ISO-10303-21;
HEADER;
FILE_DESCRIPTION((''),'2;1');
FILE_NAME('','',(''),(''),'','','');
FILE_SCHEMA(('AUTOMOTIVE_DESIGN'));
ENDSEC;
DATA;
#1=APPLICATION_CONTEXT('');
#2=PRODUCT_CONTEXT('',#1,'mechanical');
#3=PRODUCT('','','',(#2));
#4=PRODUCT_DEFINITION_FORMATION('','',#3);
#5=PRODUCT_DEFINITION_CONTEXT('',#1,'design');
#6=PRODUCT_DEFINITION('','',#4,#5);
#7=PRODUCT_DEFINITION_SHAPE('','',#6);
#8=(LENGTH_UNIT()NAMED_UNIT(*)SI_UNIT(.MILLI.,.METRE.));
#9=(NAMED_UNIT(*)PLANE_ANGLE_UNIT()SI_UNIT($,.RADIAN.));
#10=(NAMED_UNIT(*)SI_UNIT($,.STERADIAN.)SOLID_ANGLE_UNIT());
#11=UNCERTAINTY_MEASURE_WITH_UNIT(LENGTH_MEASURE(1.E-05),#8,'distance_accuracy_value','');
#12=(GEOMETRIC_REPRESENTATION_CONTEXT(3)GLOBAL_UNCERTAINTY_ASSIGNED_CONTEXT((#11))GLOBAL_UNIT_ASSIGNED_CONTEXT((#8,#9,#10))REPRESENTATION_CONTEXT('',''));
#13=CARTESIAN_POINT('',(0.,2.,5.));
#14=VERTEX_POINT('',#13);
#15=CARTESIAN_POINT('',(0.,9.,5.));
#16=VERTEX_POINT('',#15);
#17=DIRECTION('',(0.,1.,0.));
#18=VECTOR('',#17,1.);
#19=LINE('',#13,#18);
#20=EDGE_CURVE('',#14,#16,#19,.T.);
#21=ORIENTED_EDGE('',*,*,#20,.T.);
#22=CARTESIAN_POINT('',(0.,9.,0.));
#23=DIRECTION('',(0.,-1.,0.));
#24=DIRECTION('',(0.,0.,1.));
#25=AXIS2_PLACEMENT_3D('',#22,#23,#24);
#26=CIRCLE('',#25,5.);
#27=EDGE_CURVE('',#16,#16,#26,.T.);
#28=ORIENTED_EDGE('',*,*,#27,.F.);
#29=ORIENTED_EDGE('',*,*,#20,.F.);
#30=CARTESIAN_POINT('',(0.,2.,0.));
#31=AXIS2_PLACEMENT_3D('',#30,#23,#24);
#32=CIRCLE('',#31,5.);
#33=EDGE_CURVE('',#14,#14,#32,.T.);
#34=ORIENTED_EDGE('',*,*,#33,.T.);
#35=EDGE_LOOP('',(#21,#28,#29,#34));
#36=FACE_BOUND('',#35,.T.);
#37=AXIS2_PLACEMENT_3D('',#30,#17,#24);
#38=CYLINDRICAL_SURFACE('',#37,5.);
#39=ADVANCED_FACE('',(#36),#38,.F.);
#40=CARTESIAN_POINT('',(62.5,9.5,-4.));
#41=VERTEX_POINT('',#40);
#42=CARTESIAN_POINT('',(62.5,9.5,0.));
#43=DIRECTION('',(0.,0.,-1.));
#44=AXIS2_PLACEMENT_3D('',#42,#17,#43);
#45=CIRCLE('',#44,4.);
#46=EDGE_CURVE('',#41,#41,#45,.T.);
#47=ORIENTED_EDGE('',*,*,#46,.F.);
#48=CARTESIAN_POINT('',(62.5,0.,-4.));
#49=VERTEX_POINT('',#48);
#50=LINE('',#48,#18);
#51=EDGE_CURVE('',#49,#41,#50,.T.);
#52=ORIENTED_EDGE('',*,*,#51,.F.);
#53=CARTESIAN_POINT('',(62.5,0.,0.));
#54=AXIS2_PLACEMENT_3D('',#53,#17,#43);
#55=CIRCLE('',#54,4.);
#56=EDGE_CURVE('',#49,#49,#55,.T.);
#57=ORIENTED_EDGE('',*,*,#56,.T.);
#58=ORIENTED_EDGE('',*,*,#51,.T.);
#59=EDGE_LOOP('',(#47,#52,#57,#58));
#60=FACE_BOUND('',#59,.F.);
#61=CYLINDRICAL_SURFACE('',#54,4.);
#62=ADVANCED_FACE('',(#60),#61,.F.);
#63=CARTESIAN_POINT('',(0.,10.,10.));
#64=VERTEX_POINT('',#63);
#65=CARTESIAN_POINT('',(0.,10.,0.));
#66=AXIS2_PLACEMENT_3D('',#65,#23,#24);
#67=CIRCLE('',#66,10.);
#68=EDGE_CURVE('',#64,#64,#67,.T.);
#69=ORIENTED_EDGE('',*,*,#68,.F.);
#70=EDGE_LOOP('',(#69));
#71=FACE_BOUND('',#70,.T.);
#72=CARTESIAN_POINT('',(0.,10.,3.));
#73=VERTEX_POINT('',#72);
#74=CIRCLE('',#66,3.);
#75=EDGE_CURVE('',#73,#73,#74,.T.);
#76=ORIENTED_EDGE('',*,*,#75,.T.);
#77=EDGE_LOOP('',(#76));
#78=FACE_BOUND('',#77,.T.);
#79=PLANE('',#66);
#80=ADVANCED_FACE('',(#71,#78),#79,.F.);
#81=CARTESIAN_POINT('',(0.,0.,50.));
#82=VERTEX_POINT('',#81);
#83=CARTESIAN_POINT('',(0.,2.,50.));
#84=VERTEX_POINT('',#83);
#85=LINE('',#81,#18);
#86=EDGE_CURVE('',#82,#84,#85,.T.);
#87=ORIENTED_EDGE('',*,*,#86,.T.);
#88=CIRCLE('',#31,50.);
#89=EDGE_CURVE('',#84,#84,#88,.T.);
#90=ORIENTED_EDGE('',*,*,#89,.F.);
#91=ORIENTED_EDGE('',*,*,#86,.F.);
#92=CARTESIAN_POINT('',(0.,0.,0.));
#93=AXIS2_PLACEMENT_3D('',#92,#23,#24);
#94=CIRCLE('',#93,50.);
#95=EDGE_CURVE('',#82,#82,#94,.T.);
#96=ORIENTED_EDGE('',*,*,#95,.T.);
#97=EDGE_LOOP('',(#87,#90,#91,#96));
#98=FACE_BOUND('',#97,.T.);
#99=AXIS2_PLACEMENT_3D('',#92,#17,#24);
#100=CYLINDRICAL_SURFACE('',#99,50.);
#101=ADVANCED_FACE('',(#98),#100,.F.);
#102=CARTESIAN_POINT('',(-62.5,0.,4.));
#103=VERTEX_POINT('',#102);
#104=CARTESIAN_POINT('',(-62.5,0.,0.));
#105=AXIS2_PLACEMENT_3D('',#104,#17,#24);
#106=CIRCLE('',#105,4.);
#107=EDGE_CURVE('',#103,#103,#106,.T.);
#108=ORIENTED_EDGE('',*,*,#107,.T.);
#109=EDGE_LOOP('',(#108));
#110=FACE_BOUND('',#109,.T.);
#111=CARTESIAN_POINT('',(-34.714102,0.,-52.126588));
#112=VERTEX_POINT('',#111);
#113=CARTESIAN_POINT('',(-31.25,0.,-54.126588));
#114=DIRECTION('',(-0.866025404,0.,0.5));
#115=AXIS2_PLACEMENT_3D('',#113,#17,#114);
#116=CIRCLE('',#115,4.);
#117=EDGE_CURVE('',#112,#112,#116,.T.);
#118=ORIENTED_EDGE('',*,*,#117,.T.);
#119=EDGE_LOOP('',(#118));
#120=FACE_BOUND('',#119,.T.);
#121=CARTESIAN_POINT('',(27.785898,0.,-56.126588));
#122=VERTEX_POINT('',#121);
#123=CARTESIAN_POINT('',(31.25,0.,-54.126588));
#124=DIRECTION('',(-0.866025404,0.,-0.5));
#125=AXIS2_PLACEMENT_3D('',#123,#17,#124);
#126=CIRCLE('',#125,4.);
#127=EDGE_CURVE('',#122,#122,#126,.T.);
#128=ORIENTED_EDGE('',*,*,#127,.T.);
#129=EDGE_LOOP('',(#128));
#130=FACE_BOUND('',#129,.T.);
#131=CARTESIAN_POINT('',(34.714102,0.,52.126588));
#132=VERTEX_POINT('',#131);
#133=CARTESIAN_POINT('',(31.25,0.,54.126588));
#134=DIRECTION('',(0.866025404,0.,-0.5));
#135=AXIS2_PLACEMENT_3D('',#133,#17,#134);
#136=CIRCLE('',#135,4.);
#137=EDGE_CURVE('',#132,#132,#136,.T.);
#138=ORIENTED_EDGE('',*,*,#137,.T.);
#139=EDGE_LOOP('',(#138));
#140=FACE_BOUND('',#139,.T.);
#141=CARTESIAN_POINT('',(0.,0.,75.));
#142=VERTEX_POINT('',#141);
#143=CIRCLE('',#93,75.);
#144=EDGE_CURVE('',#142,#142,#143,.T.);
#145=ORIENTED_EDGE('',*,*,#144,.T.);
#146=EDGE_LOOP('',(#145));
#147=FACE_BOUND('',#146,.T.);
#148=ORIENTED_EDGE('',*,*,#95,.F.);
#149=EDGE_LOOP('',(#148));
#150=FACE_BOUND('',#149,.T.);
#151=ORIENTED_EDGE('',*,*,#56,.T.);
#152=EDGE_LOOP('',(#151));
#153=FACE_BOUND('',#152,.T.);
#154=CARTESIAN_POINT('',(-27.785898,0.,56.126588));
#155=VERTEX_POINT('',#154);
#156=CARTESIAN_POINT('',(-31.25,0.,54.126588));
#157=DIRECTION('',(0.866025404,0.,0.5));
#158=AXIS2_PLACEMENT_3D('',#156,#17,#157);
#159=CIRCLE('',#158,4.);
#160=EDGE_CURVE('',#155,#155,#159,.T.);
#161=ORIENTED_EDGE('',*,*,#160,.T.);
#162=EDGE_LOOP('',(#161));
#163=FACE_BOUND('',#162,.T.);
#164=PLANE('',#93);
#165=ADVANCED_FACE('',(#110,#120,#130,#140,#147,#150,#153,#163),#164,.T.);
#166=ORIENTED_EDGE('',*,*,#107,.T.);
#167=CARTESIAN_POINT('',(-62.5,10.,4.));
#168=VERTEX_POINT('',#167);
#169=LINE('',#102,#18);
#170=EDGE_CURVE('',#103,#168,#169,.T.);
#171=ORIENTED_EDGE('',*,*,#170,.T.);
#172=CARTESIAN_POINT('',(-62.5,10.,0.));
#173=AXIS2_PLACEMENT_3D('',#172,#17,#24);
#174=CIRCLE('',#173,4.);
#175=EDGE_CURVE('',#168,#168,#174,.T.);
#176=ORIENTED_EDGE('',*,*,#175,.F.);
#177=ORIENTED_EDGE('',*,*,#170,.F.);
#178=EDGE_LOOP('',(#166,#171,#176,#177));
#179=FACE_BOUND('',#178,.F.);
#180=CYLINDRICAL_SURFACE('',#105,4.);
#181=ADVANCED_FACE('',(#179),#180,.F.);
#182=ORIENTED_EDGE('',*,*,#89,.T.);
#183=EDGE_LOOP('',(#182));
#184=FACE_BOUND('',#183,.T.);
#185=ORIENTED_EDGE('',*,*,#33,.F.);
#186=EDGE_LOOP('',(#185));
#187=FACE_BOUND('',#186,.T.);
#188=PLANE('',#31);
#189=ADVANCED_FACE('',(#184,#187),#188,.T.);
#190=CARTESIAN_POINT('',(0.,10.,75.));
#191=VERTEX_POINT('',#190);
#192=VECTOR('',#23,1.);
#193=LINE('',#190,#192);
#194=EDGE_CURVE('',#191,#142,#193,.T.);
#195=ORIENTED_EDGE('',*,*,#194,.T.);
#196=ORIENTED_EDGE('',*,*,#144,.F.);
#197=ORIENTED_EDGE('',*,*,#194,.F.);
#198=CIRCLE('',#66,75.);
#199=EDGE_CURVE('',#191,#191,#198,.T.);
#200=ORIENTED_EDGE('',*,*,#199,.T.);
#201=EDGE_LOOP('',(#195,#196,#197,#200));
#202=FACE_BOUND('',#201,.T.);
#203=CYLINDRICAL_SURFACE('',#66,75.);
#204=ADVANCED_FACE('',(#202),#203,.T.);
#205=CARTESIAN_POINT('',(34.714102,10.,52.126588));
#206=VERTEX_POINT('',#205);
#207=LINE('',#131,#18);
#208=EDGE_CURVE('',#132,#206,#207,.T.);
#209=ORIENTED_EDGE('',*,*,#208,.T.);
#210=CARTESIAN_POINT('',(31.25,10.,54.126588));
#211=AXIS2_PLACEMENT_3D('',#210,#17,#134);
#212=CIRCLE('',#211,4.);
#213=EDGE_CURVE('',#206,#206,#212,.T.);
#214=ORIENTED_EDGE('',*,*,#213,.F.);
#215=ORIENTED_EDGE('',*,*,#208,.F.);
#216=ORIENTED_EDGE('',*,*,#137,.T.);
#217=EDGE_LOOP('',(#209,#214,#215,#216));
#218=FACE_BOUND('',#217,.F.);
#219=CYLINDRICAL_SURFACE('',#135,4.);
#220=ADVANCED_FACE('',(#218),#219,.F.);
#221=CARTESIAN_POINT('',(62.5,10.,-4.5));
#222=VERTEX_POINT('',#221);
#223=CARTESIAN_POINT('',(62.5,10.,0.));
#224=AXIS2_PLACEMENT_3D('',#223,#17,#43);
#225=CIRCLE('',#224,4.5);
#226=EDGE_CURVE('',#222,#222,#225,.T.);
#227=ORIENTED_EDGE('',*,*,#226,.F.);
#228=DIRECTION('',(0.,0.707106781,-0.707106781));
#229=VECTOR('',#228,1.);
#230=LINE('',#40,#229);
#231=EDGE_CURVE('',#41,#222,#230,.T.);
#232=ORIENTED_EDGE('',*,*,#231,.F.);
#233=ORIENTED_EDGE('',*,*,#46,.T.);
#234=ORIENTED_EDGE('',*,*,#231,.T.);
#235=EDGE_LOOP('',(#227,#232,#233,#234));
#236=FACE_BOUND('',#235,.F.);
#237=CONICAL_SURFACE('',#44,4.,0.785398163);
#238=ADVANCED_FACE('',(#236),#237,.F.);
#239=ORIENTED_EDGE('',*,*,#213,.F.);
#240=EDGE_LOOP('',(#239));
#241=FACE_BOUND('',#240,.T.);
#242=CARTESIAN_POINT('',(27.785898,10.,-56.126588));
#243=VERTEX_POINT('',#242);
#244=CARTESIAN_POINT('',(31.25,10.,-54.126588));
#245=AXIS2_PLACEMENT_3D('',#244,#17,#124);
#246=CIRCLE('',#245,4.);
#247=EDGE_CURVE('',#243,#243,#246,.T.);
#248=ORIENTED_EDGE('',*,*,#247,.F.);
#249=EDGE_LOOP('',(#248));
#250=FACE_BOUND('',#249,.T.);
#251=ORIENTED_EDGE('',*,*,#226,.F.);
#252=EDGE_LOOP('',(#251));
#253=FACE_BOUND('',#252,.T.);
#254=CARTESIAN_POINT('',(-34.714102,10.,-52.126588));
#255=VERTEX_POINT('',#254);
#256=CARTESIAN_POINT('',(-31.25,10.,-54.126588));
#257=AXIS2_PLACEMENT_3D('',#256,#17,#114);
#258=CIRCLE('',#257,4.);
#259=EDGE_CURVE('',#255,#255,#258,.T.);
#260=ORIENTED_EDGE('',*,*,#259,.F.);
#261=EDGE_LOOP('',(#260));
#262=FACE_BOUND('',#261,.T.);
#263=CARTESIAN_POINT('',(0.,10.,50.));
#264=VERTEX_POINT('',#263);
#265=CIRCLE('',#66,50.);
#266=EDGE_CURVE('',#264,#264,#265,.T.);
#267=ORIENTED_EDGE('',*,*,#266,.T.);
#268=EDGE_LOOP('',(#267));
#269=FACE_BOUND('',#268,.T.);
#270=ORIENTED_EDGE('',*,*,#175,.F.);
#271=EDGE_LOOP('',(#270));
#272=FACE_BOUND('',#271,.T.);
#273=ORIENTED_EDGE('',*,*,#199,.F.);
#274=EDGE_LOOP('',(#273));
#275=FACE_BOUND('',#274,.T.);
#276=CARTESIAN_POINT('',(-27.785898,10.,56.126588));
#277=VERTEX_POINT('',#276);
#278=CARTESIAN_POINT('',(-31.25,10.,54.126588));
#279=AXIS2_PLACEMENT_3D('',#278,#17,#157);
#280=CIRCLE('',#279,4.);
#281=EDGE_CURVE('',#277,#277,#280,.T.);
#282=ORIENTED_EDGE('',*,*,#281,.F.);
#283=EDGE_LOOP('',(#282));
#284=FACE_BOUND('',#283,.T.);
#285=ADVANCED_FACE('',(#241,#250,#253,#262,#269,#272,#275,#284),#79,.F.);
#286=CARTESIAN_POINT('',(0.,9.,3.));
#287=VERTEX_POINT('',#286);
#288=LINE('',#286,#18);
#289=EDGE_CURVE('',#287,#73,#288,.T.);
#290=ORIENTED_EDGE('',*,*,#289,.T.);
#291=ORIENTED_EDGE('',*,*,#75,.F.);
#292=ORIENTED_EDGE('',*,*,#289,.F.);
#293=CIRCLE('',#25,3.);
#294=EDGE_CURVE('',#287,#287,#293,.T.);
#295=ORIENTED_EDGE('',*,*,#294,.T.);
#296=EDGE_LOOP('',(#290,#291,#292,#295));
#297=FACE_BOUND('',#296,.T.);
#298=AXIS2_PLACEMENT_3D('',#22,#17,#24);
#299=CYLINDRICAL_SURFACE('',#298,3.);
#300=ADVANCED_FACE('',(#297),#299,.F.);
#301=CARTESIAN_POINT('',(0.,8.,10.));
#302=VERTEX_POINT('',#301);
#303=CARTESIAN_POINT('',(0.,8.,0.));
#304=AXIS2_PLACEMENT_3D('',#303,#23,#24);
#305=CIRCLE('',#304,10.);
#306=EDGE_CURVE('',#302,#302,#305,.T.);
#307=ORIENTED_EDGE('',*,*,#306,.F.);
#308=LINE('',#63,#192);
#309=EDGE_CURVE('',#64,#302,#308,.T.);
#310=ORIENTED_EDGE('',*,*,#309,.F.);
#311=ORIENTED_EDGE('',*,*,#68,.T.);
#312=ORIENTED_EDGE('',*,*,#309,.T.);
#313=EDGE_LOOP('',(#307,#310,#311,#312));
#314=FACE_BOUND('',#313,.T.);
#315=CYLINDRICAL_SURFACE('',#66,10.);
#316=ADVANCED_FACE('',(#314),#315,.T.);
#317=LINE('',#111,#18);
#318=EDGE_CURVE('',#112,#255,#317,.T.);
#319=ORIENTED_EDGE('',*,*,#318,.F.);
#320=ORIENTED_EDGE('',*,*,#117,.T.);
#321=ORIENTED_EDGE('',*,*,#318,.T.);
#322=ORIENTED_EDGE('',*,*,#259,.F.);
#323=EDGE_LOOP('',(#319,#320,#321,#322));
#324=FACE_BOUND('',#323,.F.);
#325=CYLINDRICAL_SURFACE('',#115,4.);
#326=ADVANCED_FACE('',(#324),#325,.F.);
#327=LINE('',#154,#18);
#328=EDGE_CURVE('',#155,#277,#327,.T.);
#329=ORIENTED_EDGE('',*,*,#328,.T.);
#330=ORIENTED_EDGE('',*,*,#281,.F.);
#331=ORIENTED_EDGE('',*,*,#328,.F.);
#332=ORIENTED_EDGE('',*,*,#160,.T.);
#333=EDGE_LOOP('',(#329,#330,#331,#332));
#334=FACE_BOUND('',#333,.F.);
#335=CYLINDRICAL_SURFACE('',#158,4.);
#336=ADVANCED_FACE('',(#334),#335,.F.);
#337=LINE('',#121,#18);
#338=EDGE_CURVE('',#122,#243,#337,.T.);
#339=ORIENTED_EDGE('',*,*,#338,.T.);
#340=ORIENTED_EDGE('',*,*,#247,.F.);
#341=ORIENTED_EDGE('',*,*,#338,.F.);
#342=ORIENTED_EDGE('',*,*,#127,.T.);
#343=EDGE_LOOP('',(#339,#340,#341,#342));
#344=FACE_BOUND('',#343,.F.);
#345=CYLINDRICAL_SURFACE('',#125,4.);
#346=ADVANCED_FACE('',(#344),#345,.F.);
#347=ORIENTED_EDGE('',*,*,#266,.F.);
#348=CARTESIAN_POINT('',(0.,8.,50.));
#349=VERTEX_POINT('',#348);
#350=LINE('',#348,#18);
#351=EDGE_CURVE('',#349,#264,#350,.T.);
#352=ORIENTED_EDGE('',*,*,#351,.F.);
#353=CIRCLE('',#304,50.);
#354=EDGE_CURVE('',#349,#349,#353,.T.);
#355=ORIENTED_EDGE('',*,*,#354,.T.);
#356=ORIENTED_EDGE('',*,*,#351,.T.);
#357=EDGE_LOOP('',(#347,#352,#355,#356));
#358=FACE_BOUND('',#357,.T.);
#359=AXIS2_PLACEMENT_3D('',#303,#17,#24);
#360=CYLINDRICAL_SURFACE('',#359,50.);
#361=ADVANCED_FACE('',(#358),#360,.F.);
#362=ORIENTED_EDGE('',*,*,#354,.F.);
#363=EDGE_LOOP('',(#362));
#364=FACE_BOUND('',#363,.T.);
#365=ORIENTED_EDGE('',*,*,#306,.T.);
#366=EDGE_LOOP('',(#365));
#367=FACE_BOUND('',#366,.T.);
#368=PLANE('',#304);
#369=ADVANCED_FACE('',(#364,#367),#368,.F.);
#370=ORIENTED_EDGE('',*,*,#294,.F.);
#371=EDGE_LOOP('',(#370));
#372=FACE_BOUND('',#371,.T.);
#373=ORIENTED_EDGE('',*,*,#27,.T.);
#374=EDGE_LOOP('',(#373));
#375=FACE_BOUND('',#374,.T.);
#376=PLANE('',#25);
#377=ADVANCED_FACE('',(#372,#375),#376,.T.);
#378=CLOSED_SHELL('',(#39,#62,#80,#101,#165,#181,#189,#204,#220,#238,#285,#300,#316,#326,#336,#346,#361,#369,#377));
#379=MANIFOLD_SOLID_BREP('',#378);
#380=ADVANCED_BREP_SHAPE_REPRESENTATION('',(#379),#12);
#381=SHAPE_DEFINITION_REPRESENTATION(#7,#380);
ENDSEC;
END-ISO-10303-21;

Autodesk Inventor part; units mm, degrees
ref_plane "YZ Plane" through (0, 0, 0) normal (1, 0, 0) x (0, 1, 0)
ref_plane "XZ Plane" through (0, 0, 0) normal (0, 1, 0) x (-1, 0, 0)
ref_plane "XY Plane" through (0, 0, 0) normal (0, 0, 1) x (1, 0, 0)
sketch "Sketch1" plane through (0, 0, 0) normal (1, 0, 0) x (0, 1, 0)
  line L0 (2, 5) -> (9, 5)
  line L1 (9, 5) -> (9, 3)
  line L2 (9, 3) -> (10, 3)
  line L3 (10, 3) -> (10, 10)
  line L4 (10, 10) -> (8, 10)
  line L5 (8, 10) -> (8, 50)
  line L6 (8, 50) -> (10, 50)
  line L7 (10, 50) -> (10, 75)
  line L8 (10, 75) -> (0, 75)
  line L9 (0, 75) -> (0, 50)
  line L10 (0, 50) -> (2, 50)
  line L11 (2, 50) -> (2, 5)
  line L12 (24.985, 0) -> (-21.0801, 0)
  line L13 (0, 63.0325) -> (0, -71.2298) construction
  point P0 (0, 0)
  point P1 (5.5, 5)
  point P2 (5, 75)
  dimension "d0" = 150
  dimension "d1" = 10
  dimension "d2" = 2
  dimension "d3" = 7
  dimension "d4" = 1
  dimension "d5" = 7
  dimension "d6" = 2
  dimension "d7" = 25
  dimension "d8" = 47
  dimension "d9" = 0
  dimension "d10" = 70
revolve "Revolution1" add sketch "Sketch1" angle 360 about axis through (0, 24.985, 0) along (0, -1, 0)
sketch "Sketch2" plane through (0, 2, 0) normal (0, -1, 0) x (1, 0, 0)
  point P0 (0, 0)
sketch "Sketch3" plane through (0, 0, 0) normal (0, -1, 0) x (1, 0, 0)
  circle A0 centre (0, 0) radius 62.5
  circle A1 centre (62.5, 0) radius 4
  dimension "d12" = 125
  dimension "d13" = 8
hole "Hole1" at (62.5, 0, 0) direction (0, 1, 0) diameter 8 end through all
chamfer "Chamfer1" distance 0.5 angle 45 1 edges at (62.5, 10, 4)
pattern_circular "Circular Pattern1" count 6 over 360 about axis through (0, 5, 0) along (0, -1, 0) of "Hole1"
properties part number "10_Nap_cua_tham"
